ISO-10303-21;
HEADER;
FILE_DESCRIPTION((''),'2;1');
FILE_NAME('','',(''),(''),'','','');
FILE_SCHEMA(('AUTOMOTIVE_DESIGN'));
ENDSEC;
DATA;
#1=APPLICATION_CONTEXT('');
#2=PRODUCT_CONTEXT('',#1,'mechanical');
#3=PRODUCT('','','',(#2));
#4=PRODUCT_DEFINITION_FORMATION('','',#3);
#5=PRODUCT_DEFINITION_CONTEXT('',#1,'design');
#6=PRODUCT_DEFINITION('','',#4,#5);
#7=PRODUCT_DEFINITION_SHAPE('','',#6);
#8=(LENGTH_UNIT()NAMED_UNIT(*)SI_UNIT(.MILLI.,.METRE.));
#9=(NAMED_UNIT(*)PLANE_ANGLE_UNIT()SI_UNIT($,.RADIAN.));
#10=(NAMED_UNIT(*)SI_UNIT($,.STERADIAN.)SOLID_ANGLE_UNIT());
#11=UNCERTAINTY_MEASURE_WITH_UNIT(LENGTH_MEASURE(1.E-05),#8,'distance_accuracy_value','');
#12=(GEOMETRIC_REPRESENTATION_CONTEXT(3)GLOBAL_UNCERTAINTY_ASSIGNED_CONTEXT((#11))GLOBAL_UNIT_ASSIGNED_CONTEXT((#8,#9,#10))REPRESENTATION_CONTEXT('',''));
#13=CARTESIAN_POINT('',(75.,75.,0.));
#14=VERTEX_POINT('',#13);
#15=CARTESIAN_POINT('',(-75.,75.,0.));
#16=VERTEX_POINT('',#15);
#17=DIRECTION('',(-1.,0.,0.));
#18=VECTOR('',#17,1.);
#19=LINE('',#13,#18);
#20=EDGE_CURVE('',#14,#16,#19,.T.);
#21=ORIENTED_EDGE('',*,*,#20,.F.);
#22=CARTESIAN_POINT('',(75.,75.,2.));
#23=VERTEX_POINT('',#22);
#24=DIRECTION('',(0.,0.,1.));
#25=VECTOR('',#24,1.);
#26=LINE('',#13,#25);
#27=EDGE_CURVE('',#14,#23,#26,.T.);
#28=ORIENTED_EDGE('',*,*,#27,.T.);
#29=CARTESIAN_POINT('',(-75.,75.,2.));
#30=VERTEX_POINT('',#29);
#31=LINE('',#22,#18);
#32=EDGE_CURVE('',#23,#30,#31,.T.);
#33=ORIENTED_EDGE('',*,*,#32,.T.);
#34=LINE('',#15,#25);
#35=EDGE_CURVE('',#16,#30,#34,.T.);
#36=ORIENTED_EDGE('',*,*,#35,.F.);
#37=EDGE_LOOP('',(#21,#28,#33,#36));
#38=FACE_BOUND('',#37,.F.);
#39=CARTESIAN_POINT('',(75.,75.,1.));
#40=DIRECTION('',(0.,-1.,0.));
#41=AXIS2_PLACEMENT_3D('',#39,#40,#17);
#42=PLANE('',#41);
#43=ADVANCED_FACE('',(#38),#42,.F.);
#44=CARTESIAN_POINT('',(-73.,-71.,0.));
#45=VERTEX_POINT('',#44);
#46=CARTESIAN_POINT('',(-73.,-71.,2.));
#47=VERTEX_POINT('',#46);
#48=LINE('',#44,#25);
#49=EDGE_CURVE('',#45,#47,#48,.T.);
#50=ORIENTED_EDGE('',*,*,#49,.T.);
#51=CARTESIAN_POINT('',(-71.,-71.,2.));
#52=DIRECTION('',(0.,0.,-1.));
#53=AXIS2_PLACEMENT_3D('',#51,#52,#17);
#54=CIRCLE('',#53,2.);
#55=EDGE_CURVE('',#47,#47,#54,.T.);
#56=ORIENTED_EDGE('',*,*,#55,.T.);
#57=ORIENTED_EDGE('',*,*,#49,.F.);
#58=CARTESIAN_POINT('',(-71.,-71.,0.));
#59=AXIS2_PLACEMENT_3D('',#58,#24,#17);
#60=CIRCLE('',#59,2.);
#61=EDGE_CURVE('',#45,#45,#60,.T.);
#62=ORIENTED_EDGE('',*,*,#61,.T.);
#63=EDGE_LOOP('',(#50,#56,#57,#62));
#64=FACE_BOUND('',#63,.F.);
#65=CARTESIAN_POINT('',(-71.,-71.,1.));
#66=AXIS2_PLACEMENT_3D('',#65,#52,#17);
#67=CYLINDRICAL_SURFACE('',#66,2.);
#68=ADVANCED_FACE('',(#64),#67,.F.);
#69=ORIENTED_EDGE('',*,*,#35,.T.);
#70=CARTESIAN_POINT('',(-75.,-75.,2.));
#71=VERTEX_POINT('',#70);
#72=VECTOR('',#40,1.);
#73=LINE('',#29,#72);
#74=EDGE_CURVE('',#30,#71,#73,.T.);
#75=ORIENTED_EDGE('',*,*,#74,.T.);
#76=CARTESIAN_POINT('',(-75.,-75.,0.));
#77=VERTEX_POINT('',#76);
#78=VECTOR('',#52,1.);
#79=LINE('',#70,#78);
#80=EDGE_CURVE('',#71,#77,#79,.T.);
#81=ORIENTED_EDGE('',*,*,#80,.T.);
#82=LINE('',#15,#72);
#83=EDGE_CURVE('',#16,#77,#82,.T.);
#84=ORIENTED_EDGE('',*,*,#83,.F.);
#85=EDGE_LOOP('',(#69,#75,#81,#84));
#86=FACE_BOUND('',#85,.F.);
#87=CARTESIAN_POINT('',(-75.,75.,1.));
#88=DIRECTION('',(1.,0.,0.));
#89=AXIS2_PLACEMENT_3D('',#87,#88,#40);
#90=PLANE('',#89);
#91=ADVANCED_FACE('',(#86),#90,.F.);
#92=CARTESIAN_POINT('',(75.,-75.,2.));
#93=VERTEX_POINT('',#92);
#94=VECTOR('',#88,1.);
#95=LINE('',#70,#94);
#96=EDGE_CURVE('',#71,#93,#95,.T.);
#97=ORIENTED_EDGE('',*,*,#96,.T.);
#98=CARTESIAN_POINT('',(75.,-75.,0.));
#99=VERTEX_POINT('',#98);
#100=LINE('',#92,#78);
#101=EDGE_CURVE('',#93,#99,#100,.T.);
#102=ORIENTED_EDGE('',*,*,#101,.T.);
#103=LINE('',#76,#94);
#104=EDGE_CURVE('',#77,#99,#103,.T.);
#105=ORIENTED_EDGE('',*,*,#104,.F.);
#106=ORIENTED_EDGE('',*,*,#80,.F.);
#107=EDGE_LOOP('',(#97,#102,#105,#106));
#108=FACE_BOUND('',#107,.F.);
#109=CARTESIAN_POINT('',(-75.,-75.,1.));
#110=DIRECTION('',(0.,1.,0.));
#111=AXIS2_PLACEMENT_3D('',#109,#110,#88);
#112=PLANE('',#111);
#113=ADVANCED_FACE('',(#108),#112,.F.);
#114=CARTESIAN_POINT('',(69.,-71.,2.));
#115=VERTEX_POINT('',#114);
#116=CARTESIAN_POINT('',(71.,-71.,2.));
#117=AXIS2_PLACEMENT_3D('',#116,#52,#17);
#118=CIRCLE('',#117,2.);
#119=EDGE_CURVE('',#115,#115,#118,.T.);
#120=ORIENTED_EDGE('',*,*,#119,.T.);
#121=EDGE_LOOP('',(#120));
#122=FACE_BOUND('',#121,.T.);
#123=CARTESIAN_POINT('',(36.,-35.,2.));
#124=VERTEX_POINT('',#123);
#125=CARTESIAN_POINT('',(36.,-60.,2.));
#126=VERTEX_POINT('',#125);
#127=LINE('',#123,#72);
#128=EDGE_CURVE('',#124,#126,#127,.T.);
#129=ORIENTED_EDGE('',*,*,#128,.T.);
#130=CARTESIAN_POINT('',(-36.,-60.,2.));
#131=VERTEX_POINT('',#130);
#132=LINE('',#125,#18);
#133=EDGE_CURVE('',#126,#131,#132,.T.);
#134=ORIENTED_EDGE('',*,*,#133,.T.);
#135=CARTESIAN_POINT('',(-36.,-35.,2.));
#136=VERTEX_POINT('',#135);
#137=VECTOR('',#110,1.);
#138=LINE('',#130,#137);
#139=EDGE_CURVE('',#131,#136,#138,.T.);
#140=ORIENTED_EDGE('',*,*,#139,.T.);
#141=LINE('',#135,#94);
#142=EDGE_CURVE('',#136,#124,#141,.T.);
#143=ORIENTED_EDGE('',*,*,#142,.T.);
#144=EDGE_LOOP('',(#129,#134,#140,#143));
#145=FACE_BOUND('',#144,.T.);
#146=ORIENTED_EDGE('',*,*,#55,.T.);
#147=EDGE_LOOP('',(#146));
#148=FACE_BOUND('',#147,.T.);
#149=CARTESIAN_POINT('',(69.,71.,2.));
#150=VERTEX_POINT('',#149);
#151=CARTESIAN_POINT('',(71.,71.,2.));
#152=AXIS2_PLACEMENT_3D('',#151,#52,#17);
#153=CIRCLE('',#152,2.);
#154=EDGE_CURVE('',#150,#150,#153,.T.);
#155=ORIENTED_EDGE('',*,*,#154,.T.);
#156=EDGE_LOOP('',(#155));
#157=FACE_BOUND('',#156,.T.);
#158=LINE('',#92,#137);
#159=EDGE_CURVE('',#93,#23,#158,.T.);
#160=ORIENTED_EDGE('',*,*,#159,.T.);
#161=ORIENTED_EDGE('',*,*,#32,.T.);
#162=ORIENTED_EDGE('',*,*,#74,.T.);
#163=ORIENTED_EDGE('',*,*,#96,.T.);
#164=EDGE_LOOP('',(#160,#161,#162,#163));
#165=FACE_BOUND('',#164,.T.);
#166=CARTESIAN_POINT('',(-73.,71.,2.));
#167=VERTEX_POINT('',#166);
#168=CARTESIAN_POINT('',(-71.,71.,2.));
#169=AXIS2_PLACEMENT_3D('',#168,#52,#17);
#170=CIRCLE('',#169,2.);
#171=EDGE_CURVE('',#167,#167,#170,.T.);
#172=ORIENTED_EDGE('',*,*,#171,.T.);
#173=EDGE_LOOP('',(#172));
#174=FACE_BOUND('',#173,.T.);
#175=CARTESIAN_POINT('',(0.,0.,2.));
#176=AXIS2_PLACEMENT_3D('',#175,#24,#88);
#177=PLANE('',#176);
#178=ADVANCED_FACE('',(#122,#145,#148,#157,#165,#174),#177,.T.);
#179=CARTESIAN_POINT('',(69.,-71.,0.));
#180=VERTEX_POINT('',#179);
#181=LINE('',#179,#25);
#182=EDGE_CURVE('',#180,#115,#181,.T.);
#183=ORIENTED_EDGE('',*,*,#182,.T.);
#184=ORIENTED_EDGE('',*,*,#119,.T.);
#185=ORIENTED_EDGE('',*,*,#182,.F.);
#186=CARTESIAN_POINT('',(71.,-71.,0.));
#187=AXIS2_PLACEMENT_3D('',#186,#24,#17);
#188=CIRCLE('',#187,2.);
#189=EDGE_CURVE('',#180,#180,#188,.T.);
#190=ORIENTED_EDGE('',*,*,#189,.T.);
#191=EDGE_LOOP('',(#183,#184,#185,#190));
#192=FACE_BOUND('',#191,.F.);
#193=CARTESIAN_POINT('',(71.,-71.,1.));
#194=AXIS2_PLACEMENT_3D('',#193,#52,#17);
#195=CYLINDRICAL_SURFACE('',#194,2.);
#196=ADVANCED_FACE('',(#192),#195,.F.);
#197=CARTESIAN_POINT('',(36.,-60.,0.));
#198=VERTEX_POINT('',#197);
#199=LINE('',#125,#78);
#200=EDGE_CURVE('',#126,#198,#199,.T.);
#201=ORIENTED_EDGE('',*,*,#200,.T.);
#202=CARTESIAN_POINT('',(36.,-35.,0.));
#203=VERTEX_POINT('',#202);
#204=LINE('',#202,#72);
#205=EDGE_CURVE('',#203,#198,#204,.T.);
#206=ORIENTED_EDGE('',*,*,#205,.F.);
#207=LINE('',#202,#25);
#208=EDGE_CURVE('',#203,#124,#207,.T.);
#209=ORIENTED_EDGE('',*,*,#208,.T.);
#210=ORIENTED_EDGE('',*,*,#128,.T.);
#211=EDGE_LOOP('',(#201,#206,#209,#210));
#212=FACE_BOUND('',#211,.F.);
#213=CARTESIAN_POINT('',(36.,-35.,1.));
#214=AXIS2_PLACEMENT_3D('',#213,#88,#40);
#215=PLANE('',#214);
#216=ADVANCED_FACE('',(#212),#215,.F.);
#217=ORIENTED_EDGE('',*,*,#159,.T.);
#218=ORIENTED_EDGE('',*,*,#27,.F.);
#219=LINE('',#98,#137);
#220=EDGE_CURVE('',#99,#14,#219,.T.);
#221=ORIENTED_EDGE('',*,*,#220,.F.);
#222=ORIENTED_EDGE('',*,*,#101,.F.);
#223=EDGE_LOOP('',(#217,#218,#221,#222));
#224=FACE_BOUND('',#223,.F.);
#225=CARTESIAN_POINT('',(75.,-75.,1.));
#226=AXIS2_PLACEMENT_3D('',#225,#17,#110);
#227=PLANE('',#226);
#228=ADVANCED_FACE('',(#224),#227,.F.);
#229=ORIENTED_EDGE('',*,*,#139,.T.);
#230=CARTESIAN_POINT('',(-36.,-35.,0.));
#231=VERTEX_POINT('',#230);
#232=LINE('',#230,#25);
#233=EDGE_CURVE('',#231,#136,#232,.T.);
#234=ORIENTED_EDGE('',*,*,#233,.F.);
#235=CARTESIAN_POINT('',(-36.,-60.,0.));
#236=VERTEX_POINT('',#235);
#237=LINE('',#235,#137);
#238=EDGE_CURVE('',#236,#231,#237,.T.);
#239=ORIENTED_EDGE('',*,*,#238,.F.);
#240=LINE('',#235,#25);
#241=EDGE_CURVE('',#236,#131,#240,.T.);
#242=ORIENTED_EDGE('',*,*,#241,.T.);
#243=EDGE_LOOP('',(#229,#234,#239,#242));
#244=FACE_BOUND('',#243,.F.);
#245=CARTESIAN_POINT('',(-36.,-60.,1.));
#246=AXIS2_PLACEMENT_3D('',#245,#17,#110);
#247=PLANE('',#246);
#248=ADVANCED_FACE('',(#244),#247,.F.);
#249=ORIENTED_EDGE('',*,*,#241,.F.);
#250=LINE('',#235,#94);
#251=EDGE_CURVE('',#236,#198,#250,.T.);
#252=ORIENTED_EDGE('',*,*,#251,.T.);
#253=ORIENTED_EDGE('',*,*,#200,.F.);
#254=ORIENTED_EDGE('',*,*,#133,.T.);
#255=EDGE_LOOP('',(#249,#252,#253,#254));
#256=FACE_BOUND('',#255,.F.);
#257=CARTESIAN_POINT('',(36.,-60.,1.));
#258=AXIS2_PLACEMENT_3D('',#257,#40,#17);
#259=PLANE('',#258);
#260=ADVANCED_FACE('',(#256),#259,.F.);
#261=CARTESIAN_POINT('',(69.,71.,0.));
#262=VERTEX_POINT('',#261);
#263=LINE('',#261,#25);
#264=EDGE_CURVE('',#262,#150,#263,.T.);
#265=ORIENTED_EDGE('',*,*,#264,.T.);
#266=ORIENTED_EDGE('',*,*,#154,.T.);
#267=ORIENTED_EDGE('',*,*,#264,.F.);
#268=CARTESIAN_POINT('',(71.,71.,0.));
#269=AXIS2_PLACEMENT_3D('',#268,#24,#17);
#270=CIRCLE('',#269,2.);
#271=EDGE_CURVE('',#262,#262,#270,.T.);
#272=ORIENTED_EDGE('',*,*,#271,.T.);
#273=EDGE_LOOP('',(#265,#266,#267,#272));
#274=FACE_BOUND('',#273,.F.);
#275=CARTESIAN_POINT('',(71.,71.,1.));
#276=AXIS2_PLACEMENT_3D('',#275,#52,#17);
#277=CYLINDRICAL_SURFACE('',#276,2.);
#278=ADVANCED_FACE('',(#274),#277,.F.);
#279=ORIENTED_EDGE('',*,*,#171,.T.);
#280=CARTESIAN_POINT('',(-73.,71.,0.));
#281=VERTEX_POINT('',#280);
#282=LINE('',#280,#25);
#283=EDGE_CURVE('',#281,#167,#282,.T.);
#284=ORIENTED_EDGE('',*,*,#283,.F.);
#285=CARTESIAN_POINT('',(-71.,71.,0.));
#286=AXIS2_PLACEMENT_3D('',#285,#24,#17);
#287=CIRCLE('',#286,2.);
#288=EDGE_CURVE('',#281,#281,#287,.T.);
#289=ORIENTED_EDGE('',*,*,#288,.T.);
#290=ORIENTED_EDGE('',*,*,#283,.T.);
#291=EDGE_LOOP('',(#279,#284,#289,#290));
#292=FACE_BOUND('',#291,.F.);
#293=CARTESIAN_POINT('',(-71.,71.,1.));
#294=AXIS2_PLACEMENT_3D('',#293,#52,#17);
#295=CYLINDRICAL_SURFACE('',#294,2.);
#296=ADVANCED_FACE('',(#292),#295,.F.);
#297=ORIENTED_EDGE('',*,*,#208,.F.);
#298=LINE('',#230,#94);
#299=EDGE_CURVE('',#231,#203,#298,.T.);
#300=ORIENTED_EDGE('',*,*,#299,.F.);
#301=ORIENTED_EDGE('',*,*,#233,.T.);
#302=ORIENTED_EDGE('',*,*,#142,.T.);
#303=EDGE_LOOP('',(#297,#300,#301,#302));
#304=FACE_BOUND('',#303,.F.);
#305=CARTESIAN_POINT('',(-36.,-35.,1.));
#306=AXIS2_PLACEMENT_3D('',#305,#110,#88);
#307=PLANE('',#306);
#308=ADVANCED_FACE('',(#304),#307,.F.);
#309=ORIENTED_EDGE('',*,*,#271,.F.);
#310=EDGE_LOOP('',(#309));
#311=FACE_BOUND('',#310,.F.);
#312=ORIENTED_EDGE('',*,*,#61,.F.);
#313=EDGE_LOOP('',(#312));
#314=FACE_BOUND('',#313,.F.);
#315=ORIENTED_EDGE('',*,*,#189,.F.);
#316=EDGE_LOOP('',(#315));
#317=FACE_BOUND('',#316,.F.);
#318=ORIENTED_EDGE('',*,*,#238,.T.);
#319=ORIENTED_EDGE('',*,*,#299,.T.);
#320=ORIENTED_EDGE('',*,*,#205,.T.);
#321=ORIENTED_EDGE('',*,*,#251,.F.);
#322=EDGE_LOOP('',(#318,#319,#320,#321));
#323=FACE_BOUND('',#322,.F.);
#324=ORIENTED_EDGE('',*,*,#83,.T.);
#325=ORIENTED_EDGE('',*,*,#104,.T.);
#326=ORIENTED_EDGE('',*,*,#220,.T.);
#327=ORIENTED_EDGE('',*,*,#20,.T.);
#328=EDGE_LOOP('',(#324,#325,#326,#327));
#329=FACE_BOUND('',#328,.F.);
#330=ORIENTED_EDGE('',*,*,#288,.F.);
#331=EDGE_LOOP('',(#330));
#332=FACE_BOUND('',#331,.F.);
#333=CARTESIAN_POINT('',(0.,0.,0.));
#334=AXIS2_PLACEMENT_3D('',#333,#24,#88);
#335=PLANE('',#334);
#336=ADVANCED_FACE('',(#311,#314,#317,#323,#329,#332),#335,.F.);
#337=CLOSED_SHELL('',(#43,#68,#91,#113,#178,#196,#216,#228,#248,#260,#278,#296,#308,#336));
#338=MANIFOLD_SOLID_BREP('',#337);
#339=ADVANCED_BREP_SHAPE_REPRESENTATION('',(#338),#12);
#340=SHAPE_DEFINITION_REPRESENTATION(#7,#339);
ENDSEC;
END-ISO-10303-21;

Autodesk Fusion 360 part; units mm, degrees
sketch "Sketch1" plane through (0, 0, 0) normal (0, 0, 1) x (1, 0, 0)
  line L0 (75, 75) -> (-75, 75)
  line L1 (-75, 75) -> (-75, -75)
  line L2 (-75, -75) -> (75, -75)
  line L3 (75, -75) -> (75, 75)
  line L4 (75, 75) -> (-75, -75) construction
  line L5 (-75, 75) -> (75, -75) construction
  dimension "d1" = 150
  dimension "d2" = 150
extrude "Extrude1" add sketch "Sketch1" along normal blind 1
sketch "Sketch2" plane through (0, 0, 1) normal (0, 0, 1) x (-1, 0, 0)
  line L0 (-75, 75) -> (-75, -75)
  line L1 (-75, -75) -> (75, -75)
  line L2 (75, -75) -> (75, 75)
  line L3 (75, 75) -> (-75, 75)
  line L4 (-75, -75) -> (-71, -75)
  line L5 (-71, -75) -> (-71, -71)
  line L6 (-71, -71) -> (-75, -71)
  line L7 (-75, -71) -> (-75, -75)
  circle A0 centre (-71, -71) radius 2
  dimension "d5" = 4
  dimension "d6" = 4
  dimension "d7" = 4
extrude "Extrude2" cut sketch "Sketch2" against normal blind 1 contours L5 L6 A0 | L5 L6 A0
sketch "Sketch3" plane through (0, 0, 1) normal (0, 0, 1) x (-1, 0, 0)
  circle A0 centre (-71, -71) radius 2
  line L0 (-75, 75) -> (-75, -75)
  line L1 (-75, -75) -> (75, -75)
  line L2 (75, -75) -> (75, 75)
  line L3 (75, 75) -> (-75, 75)
  line L4 (75, -75) -> (71, -75)
  line L5 (71, -75) -> (71, -71)
  line L6 (71, -71) -> (75, -71)
  line L7 (75, -71) -> (75, -75)
  line L8 (75, 75) -> (71, 75)
  line L9 (71, 75) -> (71, 71)
  line L10 (71, 71) -> (75, 71)
  line L11 (75, 71) -> (75, 75)
  line L12 (-75, 75) -> (-71, 75)
  line L13 (-71, 75) -> (-71, 71)
  line L14 (-71, 71) -> (-75, 71)
  line L15 (-75, 71) -> (-75, 75)
  circle A1 centre (-71, 71) radius 2
  circle A2 centre (71, 71) radius 2
  circle A3 centre (71, -71) radius 2
  dimension "d10" = 4
  dimension "d11" = 4
  dimension "d12" = 4
  dimension "d13" = 4
  dimension "d14" = 4
  dimension "d15" = 4
  dimension "d16" = 4
  dimension "d17" = 4
  dimension "d18" = 4
extrude "Extrude3" cut sketch "Sketch3" against normal blind 1 contours L13 L14 A1 | L13 L14 A1 | L9 L10 A2 | L9 L10 A2 | L5 L6 A3 | L5 L6 A3
sketch "Sketch4" plane through (0, 0, 1) normal (0, 0, 1) x (-1, 0, 0)
  circle A0 centre (71, -71) radius 2
  circle A1 centre (71, 71) radius 2
  circle A2 centre (-71, 71) radius 2
  circle A3 centre (-71, -71) radius 2
  line L0 (-75, 75) -> (-75, -75)
  line L1 (-75, -75) -> (75, -75)
  line L2 (75, -75) -> (75, 75)
  line L3 (75, 75) -> (-75, 75)
  line L4 (0, 75) -> (0, 60)
  line L5 (0, 60) -> (-36, 60)
  line L6 (-36, 60) -> (36, 60)
  line L7 (36, 60) -> (36, 35)
  line L8 (36, 35) -> (-36, 35)
  line L9 (-36, 35) -> (-36, 60)
  dimension "d21" = 15
  dimension "d24" = 72
extrude "Extrude4" cut sketch "Sketch4" against normal blind 1 contours L5 L6 L7 L8 L9
extrude "Extrude5" add 1 faces at (-12, 35.1244, 1) along direction (0, 0, 1) blind 1
